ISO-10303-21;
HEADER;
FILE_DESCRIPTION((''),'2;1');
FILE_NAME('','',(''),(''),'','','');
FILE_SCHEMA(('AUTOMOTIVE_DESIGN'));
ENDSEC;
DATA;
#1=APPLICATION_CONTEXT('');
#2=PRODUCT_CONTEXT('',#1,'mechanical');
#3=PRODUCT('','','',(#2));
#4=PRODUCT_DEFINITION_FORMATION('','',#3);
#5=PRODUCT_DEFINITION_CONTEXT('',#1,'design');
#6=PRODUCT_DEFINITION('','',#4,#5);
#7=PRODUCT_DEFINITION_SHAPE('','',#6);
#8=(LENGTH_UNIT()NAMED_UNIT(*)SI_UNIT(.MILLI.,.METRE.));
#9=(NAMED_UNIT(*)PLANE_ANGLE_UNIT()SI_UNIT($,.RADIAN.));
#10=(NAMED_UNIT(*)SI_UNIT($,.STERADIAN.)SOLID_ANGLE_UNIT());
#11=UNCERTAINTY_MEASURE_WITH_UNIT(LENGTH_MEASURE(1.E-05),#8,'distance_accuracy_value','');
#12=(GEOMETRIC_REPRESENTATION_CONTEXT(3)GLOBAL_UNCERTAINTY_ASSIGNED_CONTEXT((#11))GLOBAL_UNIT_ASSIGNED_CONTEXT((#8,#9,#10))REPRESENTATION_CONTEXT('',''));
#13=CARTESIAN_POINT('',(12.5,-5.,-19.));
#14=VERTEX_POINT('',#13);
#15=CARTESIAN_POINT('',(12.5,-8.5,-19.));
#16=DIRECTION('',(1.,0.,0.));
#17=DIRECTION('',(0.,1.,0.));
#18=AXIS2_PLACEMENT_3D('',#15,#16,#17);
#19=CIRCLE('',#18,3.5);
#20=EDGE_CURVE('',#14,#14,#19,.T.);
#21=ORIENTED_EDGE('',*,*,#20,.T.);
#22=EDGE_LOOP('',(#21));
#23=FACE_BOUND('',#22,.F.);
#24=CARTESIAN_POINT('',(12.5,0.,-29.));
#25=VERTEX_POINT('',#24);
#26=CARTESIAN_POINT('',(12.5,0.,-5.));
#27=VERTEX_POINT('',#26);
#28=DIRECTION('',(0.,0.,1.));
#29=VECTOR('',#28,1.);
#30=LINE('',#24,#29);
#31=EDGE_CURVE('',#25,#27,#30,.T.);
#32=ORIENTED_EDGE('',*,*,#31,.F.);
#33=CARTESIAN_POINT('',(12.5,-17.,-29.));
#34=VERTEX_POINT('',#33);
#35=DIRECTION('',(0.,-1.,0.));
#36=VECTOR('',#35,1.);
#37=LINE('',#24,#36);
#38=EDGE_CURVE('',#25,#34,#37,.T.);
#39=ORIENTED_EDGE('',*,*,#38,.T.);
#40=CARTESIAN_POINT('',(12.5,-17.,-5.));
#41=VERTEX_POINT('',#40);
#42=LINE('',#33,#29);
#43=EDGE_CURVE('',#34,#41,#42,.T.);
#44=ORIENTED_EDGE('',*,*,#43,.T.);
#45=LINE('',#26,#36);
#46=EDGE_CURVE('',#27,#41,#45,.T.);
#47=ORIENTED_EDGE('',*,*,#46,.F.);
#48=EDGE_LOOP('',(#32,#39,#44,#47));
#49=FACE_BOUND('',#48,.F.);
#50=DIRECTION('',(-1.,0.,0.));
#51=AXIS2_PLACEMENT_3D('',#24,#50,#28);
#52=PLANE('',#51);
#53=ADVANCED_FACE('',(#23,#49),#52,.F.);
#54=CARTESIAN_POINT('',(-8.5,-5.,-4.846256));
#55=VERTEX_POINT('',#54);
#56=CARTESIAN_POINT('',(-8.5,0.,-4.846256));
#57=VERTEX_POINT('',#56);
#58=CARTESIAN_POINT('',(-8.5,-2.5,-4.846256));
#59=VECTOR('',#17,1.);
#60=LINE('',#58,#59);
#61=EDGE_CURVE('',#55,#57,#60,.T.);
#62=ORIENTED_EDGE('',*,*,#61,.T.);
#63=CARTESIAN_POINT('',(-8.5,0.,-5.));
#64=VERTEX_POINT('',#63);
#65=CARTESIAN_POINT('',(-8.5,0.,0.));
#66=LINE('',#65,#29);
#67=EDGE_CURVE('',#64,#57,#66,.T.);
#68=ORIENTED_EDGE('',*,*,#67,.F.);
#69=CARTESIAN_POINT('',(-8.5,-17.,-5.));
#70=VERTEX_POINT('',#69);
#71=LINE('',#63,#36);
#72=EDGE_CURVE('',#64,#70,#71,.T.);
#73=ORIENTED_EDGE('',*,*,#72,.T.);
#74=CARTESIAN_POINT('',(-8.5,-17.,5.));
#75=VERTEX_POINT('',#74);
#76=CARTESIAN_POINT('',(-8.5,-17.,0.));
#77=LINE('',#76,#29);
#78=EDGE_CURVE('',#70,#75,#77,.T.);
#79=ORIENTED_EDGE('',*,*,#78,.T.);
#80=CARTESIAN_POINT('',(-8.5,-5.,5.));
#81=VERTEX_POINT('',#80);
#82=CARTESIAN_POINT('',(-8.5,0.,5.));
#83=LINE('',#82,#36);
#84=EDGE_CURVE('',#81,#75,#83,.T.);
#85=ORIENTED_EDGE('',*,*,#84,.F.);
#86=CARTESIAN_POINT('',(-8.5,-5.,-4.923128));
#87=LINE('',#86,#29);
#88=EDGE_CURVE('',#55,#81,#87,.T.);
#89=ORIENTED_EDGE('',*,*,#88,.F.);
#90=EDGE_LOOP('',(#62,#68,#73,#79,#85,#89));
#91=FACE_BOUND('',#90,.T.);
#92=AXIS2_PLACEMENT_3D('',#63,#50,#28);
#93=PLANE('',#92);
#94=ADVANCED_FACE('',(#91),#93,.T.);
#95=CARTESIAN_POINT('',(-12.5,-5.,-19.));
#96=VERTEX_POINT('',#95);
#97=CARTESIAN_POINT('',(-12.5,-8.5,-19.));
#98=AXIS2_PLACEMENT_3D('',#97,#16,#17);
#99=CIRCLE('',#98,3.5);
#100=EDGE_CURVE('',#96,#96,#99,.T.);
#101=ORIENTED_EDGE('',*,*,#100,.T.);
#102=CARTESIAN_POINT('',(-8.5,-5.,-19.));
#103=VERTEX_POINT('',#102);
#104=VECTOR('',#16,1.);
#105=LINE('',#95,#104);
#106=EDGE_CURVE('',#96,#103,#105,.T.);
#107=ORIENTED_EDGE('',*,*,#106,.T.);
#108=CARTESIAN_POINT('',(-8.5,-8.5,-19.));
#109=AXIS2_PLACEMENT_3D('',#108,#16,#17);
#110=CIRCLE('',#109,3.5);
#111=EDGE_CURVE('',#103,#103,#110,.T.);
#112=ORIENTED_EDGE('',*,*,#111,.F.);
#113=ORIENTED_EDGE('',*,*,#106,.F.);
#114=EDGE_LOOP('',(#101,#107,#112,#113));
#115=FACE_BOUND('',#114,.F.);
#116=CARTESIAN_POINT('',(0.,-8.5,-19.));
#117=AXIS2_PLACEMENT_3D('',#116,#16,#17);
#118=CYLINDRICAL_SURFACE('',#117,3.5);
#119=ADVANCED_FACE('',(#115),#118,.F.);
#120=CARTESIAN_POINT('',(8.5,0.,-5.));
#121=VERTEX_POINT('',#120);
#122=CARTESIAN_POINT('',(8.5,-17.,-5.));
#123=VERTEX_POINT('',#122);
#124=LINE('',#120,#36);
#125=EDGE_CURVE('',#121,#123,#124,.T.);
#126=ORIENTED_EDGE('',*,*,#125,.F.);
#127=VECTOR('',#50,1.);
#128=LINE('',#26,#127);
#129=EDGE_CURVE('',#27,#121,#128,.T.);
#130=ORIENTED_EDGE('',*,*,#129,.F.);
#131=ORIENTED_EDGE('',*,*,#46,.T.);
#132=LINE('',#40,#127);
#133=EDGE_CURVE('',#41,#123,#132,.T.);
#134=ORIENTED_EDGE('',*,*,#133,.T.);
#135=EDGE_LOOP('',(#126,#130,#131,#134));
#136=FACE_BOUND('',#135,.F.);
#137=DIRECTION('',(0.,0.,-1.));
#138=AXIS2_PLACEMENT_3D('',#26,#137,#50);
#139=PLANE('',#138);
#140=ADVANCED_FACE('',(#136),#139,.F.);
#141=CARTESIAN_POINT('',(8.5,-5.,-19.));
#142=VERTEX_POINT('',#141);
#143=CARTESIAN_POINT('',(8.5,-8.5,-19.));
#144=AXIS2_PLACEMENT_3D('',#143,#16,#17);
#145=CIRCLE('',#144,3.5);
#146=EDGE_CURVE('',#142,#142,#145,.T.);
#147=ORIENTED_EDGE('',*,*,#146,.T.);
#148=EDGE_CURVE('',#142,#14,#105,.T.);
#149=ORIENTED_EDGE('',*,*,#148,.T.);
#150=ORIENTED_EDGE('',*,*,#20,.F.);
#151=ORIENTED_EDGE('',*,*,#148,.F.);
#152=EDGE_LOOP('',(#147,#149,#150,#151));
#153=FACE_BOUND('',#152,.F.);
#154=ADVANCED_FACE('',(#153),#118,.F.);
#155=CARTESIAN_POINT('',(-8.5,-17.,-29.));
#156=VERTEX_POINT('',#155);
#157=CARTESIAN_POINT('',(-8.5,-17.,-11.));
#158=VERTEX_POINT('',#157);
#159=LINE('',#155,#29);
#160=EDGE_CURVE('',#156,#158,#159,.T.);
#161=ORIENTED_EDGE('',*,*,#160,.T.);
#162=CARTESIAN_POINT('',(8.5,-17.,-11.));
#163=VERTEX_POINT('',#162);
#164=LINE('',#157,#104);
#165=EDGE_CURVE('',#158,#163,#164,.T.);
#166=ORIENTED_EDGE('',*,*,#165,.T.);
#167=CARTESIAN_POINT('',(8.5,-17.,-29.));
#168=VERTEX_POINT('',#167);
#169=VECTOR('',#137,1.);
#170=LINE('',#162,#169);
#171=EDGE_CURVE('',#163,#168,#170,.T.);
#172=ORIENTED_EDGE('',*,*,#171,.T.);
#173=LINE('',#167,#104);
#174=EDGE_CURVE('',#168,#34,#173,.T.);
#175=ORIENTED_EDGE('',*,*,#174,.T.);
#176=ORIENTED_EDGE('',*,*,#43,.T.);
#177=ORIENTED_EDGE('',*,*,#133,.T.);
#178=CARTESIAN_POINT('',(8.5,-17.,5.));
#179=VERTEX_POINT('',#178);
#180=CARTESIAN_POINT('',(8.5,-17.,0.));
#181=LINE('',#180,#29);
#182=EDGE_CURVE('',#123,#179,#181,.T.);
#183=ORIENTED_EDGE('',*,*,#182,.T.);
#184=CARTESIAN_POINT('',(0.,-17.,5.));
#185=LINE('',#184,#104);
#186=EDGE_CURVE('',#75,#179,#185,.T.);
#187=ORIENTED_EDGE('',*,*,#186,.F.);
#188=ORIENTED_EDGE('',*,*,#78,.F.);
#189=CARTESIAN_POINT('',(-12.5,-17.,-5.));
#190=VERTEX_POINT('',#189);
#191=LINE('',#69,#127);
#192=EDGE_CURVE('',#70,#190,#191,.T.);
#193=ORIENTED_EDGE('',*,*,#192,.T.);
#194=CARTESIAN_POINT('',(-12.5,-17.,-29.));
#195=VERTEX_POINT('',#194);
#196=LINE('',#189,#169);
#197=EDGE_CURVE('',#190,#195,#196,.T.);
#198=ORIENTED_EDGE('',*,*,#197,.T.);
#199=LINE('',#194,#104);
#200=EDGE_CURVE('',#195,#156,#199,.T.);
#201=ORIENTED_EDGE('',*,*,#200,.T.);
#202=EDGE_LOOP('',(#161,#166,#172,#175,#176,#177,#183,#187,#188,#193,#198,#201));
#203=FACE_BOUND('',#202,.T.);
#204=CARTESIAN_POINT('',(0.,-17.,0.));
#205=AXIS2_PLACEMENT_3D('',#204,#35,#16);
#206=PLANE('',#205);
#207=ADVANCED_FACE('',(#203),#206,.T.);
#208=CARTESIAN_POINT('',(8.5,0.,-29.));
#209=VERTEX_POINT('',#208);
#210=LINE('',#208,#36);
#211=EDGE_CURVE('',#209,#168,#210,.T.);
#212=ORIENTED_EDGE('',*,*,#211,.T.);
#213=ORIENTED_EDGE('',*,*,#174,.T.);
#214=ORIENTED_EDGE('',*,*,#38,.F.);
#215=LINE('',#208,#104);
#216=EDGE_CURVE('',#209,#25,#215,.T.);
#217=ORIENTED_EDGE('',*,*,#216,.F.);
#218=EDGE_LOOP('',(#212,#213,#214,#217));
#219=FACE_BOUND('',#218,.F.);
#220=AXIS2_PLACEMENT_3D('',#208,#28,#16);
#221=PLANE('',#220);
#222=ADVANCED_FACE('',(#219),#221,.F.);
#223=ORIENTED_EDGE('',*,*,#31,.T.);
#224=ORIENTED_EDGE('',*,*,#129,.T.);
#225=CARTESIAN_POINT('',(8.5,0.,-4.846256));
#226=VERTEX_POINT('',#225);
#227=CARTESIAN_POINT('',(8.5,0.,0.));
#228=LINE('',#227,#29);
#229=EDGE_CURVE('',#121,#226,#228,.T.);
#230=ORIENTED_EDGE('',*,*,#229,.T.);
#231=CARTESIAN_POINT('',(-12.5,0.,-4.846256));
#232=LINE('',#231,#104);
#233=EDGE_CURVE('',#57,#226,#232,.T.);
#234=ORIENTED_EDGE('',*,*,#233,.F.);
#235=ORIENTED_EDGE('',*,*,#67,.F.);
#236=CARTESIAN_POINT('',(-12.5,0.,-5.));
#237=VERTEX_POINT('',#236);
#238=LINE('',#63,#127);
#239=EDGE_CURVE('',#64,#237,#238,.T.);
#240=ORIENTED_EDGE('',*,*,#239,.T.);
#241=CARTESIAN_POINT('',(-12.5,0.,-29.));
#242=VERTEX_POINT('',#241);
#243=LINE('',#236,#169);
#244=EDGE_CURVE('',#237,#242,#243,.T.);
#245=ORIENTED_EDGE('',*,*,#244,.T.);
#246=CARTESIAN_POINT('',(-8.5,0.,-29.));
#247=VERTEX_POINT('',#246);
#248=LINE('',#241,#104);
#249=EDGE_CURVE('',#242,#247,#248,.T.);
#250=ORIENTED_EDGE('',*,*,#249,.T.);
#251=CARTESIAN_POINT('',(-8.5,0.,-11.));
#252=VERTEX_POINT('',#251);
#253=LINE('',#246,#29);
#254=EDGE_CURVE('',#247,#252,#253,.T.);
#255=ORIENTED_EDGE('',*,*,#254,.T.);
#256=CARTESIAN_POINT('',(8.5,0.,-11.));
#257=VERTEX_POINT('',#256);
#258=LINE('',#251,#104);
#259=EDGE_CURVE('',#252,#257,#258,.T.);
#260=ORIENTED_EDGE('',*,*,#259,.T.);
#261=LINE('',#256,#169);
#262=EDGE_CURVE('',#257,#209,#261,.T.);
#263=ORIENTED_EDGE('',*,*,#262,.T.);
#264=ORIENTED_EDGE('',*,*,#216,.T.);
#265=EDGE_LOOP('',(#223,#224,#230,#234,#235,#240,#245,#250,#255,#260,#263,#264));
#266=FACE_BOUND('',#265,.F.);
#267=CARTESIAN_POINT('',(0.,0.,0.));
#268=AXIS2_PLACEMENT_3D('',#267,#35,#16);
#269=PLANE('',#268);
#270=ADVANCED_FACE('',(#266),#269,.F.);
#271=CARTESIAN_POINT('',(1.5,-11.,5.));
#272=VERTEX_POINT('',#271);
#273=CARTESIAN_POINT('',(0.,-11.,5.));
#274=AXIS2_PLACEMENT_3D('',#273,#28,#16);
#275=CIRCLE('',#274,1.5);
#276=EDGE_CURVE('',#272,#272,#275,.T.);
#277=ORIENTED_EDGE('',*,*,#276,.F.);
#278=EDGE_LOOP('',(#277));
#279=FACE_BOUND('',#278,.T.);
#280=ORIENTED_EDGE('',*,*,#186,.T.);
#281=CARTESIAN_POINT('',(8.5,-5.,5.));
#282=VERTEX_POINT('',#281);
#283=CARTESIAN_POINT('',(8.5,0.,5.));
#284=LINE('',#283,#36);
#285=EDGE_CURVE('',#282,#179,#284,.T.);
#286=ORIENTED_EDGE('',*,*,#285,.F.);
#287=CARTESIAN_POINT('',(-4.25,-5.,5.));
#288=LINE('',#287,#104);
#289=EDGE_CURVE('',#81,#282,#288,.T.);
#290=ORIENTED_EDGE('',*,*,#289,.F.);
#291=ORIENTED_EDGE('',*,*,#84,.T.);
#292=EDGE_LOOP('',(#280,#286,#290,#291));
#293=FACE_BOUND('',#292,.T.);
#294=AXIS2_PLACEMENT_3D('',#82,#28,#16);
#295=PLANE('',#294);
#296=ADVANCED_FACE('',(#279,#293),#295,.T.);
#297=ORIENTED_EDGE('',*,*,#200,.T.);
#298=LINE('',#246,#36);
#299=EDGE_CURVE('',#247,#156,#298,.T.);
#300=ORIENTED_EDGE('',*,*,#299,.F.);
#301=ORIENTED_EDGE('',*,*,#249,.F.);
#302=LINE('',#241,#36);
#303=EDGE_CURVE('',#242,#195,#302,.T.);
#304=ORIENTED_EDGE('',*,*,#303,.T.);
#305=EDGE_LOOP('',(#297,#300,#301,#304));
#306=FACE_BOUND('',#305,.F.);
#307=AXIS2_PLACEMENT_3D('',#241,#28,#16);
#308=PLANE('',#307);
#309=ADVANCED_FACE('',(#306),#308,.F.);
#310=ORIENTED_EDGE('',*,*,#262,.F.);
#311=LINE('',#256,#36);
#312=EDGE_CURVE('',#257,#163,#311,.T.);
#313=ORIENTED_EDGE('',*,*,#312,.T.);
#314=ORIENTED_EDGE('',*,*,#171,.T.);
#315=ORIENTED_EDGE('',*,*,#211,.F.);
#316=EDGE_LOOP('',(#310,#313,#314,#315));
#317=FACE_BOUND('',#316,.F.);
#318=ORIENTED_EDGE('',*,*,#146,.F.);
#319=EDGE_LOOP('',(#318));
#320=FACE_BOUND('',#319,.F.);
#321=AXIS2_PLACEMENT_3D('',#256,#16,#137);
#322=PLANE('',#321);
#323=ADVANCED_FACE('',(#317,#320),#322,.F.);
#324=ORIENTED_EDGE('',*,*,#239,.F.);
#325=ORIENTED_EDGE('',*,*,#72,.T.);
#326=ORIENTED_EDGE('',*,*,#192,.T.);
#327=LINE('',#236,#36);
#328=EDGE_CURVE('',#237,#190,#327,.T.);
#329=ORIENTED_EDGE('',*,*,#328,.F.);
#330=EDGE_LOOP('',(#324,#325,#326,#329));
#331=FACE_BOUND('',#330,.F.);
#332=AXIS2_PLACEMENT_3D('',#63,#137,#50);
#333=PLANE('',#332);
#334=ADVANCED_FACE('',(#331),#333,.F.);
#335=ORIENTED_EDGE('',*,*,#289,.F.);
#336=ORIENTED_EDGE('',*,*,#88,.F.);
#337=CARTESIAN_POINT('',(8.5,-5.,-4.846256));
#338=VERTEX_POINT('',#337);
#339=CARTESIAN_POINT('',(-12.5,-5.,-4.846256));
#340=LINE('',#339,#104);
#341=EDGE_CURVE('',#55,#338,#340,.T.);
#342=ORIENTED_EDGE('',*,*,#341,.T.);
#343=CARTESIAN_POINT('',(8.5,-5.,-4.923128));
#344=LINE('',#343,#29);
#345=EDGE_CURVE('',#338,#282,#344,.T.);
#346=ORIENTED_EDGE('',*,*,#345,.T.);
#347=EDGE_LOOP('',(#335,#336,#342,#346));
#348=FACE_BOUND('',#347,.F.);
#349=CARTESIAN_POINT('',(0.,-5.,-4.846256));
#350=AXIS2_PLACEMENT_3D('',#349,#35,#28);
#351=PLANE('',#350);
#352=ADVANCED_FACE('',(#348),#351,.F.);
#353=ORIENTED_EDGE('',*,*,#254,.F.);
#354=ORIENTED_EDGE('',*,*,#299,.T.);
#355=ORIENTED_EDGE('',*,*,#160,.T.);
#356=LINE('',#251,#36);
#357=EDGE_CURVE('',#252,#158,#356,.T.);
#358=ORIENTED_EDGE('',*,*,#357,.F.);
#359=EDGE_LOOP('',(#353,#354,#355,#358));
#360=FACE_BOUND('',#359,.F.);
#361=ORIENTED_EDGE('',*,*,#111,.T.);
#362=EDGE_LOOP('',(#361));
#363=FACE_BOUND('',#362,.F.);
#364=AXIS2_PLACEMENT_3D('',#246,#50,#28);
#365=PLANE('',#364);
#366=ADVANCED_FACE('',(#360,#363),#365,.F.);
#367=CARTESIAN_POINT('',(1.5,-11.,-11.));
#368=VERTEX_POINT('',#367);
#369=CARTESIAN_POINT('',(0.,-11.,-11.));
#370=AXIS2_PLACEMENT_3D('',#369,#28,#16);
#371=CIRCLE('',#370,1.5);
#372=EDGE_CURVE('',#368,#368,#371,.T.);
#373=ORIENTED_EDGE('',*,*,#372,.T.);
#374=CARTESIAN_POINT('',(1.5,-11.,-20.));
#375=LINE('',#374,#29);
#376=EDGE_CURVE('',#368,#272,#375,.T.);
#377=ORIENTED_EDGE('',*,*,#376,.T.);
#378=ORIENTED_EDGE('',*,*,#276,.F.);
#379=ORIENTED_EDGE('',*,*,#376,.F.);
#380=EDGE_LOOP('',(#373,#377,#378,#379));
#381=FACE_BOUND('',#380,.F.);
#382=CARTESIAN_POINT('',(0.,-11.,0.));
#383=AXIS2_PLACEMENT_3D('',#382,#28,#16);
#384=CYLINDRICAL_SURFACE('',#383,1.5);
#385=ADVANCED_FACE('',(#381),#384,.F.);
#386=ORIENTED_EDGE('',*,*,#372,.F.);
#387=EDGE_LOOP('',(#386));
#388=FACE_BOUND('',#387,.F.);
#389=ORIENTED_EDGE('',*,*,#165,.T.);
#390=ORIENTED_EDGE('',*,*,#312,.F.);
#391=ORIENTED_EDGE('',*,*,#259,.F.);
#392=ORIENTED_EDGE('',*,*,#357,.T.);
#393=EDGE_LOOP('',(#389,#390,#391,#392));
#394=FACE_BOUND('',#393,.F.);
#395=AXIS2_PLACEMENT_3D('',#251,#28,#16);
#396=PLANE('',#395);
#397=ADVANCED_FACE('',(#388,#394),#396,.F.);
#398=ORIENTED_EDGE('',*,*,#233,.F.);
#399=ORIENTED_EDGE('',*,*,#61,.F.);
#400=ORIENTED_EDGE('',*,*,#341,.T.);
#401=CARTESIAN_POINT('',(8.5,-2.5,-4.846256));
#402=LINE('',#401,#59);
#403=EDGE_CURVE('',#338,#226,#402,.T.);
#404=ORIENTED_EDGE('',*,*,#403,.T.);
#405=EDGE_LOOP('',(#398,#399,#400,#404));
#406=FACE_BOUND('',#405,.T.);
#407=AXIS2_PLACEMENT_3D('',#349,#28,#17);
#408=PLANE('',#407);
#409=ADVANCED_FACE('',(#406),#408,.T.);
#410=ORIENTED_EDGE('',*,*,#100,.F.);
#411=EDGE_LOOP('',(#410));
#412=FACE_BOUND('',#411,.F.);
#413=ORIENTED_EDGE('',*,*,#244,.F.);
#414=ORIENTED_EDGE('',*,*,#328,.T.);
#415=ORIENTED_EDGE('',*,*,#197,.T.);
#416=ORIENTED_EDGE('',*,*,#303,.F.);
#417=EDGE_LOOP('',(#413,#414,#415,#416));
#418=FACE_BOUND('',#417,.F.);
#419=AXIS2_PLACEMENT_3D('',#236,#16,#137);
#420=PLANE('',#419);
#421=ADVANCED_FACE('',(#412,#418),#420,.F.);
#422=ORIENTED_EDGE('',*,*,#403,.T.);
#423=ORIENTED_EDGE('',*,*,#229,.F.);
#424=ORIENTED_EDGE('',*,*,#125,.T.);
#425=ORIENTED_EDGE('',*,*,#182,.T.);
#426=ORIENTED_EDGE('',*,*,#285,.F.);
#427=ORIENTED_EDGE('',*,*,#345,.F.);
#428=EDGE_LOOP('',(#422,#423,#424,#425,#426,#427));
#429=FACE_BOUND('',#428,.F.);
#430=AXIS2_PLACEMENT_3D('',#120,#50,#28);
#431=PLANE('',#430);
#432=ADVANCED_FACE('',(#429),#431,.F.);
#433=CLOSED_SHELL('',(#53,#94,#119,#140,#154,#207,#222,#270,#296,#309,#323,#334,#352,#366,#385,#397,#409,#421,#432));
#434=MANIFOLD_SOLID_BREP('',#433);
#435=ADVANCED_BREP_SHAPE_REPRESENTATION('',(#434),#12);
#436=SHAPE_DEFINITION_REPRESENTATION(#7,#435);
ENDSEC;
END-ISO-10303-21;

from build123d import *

# Parameters (mm, degrees)
F0_W     = 17
F0_H     = 10
F1_DEPTH = 17
F2_W     = 5
F2_H     = 10
F2_R     = 3.5
F3_DEPTH = 12.5
F4_R     = 1.5
F5_DEPTH = 20


with BuildPart() as f1:
    # F0 (on Front) → F1 (new body)
    with BuildSketch(Plane.XZ):
        Rectangle(F0_W, F0_H)
        Polygon((8.5, -5), (-8.5, -5), (-12.5, -5), (-12.5, -29), (-8.5, -29), (-8.5, -11), (8.5, -11), (8.5, -29), (12.5, -29), (12.5, -5), align=None)
    extrude(amount=F1_DEPTH)

    # F2 (on Right) → F3 (cut, symmetric)
    with BuildSketch(Plane.YZ):
        with Locations((-2.5, 0.153744)):
            Rectangle(F2_W, F2_H)
        with Locations((-8.5, -19)):
            Circle(F2_R)
    extrude(amount=F3_DEPTH, both=True, mode=Mode.SUBTRACT)

    # F4 (on Top) → F5 (cut, symmetric)
    with BuildSketch(Plane.XY):
        with Locations((0, -11)):
            Circle(F4_R)
    extrude(amount=F5_DEPTH, both=True, mode=Mode.SUBTRACT)


solid = f1.part
